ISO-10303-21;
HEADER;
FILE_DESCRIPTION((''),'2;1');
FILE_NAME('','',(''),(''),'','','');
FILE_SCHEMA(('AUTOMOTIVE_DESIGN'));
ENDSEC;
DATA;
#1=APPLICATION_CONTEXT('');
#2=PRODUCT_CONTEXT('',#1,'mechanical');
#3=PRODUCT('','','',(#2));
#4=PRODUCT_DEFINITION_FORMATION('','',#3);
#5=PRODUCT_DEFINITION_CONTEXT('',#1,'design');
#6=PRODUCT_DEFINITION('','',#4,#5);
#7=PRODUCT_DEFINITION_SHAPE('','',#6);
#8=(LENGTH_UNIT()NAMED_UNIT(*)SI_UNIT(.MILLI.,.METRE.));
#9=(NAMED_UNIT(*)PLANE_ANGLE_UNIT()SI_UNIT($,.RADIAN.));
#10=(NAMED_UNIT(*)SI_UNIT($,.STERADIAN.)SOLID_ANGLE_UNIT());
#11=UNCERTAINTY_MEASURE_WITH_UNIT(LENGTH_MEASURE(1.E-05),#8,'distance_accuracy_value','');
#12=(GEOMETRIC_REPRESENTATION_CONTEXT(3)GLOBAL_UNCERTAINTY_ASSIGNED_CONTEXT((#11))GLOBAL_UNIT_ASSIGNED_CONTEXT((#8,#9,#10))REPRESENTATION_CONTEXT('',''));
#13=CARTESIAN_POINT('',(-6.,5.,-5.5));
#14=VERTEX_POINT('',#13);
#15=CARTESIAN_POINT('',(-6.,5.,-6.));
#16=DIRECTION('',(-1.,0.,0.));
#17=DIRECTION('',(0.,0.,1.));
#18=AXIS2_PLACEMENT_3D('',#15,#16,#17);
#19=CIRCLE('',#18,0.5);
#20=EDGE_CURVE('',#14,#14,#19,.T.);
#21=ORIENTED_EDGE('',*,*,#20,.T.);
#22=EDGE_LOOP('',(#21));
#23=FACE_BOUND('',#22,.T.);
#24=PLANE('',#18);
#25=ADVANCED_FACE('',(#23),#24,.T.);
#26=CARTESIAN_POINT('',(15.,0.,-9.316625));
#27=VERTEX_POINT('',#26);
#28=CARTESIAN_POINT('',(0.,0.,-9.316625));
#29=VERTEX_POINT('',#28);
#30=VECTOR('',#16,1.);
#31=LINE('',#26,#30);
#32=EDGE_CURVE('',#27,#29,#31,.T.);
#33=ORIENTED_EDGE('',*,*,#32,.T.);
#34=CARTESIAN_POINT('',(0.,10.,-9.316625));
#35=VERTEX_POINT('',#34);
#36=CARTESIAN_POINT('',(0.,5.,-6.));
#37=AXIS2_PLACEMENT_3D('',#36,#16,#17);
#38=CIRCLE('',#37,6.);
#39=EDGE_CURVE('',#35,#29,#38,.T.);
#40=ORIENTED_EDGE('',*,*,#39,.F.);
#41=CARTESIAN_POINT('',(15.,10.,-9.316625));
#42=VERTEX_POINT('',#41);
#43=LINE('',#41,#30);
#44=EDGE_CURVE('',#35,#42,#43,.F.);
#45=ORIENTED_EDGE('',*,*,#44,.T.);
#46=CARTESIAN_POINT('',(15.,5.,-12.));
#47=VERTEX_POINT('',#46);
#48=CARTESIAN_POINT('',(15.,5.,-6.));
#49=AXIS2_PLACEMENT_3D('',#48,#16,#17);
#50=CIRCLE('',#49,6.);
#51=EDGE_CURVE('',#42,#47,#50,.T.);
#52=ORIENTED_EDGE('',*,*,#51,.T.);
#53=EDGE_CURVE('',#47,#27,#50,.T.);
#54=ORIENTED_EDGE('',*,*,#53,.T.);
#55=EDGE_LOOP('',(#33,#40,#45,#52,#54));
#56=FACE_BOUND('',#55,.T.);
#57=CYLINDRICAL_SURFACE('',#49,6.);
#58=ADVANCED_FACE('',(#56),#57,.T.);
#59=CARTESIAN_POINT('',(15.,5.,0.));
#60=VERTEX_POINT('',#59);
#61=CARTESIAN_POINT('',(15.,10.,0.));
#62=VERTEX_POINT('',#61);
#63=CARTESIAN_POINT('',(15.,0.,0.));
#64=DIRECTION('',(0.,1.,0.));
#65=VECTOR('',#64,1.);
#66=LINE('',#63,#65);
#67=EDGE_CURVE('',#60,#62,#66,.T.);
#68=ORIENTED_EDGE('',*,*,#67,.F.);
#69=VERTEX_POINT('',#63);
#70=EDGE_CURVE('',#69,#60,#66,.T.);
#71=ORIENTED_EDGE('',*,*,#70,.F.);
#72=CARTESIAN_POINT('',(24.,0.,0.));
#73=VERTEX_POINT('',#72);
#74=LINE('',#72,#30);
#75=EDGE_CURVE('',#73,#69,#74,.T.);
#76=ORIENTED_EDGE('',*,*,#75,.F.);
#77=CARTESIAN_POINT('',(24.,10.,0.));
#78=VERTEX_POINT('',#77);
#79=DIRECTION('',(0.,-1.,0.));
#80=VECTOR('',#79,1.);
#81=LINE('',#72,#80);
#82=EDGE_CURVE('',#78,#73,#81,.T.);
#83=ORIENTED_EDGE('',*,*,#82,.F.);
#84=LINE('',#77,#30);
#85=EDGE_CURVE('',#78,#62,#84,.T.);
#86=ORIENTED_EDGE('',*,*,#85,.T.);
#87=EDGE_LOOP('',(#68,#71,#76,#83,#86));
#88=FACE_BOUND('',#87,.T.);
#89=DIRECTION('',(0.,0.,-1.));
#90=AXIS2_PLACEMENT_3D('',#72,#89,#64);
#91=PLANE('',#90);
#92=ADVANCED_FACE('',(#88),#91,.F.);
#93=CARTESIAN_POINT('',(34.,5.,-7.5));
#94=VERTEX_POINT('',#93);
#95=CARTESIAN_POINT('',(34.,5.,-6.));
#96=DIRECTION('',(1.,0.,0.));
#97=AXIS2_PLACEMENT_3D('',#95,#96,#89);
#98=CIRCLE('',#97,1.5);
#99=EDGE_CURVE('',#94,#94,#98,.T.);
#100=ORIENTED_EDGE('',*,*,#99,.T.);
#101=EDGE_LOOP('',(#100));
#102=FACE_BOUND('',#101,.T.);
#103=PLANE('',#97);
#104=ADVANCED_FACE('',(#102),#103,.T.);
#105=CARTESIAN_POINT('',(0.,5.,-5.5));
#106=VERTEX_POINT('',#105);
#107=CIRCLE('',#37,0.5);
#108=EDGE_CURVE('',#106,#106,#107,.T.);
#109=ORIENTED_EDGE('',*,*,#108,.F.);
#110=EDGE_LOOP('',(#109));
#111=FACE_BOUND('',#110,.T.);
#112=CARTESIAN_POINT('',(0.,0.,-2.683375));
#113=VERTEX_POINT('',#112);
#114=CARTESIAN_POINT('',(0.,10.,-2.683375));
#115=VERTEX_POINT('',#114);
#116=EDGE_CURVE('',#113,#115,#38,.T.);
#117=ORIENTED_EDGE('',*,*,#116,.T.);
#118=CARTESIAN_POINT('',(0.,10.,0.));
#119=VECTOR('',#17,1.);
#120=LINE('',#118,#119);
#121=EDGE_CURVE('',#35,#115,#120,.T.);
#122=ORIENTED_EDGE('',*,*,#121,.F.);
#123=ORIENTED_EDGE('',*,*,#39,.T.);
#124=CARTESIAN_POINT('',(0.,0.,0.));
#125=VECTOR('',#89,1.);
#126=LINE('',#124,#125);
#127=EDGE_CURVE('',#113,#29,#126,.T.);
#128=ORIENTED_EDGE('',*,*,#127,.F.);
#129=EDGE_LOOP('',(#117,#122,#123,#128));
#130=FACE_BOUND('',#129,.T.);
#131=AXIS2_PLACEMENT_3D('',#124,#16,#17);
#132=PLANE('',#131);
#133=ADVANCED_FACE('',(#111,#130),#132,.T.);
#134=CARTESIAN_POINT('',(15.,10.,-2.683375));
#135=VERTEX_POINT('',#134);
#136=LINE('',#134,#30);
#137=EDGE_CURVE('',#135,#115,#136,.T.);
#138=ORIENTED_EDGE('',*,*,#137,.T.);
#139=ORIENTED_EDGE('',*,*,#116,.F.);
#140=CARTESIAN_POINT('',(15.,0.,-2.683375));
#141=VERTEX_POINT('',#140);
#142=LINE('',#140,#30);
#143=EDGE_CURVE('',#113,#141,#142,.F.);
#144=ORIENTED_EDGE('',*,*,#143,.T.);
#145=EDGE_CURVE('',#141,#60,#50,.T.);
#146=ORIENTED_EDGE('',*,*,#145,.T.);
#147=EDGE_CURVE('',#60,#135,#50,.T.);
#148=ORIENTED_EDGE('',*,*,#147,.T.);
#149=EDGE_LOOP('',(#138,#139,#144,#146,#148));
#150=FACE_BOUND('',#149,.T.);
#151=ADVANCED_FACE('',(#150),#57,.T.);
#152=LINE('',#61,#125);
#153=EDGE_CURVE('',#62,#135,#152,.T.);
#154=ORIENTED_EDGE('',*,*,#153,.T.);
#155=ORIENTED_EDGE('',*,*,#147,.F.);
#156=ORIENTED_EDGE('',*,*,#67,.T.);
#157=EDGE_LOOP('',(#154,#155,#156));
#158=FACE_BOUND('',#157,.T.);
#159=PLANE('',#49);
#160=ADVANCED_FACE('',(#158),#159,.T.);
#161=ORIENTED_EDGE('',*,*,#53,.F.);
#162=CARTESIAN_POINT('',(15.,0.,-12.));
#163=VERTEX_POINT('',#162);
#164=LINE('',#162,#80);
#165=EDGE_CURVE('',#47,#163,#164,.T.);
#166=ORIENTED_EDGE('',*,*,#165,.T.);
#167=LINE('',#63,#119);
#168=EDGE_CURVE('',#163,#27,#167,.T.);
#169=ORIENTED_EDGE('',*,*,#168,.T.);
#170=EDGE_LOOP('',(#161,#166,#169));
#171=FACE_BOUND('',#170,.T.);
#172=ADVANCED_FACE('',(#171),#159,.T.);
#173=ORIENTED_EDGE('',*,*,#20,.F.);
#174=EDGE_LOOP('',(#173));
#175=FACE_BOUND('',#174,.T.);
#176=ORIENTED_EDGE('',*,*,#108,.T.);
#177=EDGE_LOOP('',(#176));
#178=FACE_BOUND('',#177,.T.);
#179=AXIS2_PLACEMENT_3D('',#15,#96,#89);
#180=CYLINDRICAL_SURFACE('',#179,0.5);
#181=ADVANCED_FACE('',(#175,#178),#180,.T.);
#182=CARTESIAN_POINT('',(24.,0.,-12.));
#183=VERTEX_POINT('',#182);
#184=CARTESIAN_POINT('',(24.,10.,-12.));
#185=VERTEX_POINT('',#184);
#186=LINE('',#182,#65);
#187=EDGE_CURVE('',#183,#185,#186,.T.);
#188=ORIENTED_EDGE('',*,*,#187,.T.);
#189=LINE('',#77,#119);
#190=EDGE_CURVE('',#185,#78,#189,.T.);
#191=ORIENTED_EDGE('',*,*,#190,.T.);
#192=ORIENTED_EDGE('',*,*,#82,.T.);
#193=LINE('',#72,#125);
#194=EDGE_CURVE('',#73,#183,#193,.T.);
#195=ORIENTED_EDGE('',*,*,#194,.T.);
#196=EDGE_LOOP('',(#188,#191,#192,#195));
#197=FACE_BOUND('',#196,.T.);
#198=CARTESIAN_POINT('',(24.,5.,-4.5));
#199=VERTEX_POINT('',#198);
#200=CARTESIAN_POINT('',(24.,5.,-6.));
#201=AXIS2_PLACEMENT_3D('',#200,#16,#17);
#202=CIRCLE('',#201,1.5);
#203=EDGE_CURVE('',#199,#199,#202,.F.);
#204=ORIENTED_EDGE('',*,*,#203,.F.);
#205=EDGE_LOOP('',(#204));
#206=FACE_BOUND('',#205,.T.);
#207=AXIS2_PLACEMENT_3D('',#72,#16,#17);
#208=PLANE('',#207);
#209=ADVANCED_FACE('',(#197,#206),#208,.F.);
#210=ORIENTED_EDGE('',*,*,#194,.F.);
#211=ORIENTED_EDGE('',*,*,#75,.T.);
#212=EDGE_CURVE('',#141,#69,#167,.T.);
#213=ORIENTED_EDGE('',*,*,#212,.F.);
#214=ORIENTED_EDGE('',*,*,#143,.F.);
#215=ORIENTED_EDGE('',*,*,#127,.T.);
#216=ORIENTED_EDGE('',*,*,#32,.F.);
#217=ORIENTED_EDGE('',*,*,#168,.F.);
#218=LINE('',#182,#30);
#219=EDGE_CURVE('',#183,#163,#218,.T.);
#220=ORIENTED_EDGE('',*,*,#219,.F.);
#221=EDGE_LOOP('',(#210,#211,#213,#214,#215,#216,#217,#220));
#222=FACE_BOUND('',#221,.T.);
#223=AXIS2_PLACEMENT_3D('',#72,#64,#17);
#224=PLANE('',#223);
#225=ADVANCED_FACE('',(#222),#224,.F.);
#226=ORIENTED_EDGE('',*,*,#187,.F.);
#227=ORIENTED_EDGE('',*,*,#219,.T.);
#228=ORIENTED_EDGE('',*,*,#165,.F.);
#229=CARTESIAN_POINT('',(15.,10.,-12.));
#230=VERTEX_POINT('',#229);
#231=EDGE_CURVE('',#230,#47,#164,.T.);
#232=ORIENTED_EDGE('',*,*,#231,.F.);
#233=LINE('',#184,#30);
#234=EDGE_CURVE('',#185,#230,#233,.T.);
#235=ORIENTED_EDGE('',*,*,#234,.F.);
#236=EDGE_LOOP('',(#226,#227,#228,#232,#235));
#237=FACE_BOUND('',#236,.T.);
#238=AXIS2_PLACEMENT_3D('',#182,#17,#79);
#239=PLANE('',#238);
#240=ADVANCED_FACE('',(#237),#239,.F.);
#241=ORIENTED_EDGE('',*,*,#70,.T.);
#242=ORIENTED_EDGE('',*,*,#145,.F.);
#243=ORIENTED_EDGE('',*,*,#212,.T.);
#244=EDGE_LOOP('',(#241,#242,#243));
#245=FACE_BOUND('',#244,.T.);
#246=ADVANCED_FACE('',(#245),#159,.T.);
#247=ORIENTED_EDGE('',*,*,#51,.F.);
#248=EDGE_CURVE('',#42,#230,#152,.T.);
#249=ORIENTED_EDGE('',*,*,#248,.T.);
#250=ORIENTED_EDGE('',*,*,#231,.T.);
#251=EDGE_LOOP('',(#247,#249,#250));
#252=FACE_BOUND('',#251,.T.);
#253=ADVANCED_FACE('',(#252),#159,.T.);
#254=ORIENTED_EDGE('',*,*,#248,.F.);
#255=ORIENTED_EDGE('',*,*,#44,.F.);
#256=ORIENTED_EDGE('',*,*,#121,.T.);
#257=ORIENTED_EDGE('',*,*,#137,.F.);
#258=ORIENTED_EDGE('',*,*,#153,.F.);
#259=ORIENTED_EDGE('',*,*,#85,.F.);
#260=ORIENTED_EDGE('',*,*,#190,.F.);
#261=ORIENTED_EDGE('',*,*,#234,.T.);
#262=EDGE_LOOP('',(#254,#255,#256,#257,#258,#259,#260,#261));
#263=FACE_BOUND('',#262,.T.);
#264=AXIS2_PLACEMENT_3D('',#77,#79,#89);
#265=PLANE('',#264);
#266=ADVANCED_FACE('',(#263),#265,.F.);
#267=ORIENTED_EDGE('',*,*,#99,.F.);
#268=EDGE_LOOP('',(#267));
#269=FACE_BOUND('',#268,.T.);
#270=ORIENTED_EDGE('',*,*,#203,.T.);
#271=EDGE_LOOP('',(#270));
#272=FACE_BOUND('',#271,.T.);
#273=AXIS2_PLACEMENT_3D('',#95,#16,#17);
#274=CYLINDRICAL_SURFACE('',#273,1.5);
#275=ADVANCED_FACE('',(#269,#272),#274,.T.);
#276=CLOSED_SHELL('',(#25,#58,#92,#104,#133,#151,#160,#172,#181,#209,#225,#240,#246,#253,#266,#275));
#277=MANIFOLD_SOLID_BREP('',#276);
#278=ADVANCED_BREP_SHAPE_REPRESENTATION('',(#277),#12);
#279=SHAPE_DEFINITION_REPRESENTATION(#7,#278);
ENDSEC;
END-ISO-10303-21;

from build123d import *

# Parameters (mm, degrees)
SKETCH2_W           = 12
SKETCH2_H           = 10
BOSS_EXTRUDE1_DEPTH = 24
SKETCH3_R           = 1.5
BOSS_EXTRUDE2_DEPTH = 10
SKETCH4_OUTSIDE_W   = 21.484
SKETCH4_OUTSIDE_H   = 19.484
SKETCH4_OUTSIDE_R   = 6
CUT_EXTRUDE1_DEPTH  = 15
SKETCH5_R           = 0.5
BOSS_EXTRUDE3_DEPTH = 6


with BuildPart() as part:
    # Sketch2 → Boss-Extrude1 (new body)
    with BuildSketch(Plane(origin=(0, 0, 0), x_dir=(0, 0, -1), z_dir=(1, 0, 0))):
        with Locations((6, 5)):
            Rectangle(SKETCH2_W, SKETCH2_H)
    extrude(amount=BOSS_EXTRUDE1_DEPTH)

    # Sketch3 → Boss-Extrude2 (add)
    with BuildSketch(Plane(origin=(24, 0, 0), x_dir=(0, 0, -1), z_dir=(1, 0, 0))):
        with Locations((6, 5)):
            Circle(SKETCH3_R)
    extrude(amount=BOSS_EXTRUDE2_DEPTH)

    # Sketch4 outside → Cut-Extrude1 (cut)
    with BuildSketch(Plane.ZY):
        with Locations((-6, 5)):
            Rectangle(SKETCH4_OUTSIDE_W, SKETCH4_OUTSIDE_H)
        with Locations((-6, 5)):
            Circle(SKETCH4_OUTSIDE_R, mode=Mode.SUBTRACT)
    extrude(amount=-CUT_EXTRUDE1_DEPTH, mode=Mode.SUBTRACT)

    # Sketch5 → Boss-Extrude3 (add)
    with BuildSketch(Plane.ZY):
        with Locations((-6, 5)):
            Circle(SKETCH5_R)
    extrude(amount=BOSS_EXTRUDE3_DEPTH)


solid = part.part
